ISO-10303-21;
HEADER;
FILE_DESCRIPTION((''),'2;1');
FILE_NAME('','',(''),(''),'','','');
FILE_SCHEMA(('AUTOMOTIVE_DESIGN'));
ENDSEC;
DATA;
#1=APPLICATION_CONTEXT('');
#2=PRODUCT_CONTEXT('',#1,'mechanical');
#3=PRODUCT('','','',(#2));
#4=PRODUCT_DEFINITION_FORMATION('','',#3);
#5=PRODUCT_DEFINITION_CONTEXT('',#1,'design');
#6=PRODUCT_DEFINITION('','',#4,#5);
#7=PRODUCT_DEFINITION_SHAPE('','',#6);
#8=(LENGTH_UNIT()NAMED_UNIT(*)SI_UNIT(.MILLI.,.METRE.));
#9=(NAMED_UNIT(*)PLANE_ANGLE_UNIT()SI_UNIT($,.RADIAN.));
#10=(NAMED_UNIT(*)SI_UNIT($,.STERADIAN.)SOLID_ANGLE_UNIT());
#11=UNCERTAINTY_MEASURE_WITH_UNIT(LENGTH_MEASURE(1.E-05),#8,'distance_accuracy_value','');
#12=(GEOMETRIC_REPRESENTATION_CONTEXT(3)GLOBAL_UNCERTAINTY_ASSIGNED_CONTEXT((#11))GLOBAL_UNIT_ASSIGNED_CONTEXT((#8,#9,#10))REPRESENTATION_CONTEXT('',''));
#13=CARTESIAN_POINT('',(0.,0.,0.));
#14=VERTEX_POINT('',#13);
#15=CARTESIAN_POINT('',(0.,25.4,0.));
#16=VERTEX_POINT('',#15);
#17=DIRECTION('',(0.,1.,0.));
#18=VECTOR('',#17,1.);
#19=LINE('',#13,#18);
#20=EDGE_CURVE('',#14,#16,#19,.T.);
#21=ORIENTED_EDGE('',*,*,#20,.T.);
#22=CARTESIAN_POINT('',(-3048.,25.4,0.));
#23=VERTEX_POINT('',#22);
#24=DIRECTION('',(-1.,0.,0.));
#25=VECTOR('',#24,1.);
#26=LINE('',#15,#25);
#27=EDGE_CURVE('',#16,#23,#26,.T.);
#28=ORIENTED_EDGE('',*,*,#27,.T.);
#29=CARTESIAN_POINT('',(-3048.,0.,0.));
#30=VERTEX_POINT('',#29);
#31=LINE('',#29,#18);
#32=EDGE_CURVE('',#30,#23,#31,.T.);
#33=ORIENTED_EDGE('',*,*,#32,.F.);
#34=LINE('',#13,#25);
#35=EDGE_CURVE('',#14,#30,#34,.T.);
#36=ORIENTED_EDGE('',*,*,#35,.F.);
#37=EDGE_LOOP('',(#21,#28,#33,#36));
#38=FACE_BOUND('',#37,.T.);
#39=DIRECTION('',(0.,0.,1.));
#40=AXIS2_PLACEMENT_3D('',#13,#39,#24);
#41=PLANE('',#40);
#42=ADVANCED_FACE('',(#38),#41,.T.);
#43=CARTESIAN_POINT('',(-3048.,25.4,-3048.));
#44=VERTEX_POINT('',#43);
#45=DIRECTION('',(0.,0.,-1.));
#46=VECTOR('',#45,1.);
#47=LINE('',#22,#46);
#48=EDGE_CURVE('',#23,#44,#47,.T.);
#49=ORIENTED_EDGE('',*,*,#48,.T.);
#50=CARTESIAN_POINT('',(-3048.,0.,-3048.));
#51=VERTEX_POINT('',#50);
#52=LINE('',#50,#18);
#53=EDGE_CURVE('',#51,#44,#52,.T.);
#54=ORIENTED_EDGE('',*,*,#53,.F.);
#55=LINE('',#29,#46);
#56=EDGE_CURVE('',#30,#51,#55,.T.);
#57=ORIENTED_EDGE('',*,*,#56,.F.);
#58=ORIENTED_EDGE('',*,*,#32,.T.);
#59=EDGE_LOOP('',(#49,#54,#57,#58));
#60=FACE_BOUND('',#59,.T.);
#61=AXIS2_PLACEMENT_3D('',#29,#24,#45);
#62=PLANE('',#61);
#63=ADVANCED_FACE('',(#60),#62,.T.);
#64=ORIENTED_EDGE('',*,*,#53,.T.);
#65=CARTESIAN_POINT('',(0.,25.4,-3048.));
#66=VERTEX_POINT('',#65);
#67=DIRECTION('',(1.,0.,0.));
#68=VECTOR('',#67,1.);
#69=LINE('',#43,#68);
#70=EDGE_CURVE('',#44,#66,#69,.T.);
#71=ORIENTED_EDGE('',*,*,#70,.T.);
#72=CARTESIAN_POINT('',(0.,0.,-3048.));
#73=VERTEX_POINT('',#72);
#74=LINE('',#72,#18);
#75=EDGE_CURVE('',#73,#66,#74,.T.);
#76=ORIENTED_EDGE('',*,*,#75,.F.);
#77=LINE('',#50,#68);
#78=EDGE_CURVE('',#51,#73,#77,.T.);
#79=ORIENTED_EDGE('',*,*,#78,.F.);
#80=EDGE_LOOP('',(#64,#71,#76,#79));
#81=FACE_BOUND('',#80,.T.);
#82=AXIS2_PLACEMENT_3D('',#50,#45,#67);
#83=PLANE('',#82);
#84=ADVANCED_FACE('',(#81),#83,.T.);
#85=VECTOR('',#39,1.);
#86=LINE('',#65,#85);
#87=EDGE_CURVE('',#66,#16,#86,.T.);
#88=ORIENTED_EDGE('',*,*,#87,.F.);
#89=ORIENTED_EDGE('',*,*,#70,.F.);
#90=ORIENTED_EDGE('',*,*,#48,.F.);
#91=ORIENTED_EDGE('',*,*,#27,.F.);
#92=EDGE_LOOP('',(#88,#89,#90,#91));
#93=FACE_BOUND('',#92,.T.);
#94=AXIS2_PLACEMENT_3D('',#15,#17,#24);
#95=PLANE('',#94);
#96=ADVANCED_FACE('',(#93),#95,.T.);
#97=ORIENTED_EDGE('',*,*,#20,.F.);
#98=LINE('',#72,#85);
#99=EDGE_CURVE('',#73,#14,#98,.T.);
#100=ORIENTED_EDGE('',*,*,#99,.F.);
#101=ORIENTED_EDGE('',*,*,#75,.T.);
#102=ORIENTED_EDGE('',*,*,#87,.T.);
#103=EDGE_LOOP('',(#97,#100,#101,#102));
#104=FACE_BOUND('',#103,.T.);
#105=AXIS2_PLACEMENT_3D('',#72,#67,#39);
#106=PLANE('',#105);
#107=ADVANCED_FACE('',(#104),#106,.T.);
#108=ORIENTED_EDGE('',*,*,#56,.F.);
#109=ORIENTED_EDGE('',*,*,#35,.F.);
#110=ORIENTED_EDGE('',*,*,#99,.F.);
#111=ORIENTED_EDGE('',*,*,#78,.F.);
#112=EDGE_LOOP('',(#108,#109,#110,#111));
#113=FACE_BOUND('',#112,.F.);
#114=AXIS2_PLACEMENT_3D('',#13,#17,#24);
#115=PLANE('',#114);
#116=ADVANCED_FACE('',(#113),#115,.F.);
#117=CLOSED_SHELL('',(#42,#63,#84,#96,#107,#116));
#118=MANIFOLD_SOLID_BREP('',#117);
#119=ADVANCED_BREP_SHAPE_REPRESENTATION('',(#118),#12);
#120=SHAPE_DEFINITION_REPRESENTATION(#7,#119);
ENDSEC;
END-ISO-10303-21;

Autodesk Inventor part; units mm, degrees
ref_plane "YZ Plane" through (0, 0, 0) normal (1, 0, 0) x (0, 1, 0)
ref_plane "XZ Plane" through (0, 0, 0) normal (0, 1, 0) x (-1, 0, 0)
ref_plane "XY Plane" through (0, 0, 0) normal (0, 0, 1) x (1, 0, 0)
sketch "Sketch1" plane through (0, 0, 0) normal (0, 1, 0) x (-1, 0, 0)
  line L0 (0, 0) -> (3048, 0)
  line L1 (3048, 0) -> (3048, -3048)
  line L2 (3048, -3048) -> (0, -3048)
  line L3 (0, -3048) -> (0, 0)
  dimension "d0" = 3048
  dimension "d1" = 3048
extrude "Extrusion1" add sketch "Sketch1" along normal blind 25.4
properties part number "pit_floor"
